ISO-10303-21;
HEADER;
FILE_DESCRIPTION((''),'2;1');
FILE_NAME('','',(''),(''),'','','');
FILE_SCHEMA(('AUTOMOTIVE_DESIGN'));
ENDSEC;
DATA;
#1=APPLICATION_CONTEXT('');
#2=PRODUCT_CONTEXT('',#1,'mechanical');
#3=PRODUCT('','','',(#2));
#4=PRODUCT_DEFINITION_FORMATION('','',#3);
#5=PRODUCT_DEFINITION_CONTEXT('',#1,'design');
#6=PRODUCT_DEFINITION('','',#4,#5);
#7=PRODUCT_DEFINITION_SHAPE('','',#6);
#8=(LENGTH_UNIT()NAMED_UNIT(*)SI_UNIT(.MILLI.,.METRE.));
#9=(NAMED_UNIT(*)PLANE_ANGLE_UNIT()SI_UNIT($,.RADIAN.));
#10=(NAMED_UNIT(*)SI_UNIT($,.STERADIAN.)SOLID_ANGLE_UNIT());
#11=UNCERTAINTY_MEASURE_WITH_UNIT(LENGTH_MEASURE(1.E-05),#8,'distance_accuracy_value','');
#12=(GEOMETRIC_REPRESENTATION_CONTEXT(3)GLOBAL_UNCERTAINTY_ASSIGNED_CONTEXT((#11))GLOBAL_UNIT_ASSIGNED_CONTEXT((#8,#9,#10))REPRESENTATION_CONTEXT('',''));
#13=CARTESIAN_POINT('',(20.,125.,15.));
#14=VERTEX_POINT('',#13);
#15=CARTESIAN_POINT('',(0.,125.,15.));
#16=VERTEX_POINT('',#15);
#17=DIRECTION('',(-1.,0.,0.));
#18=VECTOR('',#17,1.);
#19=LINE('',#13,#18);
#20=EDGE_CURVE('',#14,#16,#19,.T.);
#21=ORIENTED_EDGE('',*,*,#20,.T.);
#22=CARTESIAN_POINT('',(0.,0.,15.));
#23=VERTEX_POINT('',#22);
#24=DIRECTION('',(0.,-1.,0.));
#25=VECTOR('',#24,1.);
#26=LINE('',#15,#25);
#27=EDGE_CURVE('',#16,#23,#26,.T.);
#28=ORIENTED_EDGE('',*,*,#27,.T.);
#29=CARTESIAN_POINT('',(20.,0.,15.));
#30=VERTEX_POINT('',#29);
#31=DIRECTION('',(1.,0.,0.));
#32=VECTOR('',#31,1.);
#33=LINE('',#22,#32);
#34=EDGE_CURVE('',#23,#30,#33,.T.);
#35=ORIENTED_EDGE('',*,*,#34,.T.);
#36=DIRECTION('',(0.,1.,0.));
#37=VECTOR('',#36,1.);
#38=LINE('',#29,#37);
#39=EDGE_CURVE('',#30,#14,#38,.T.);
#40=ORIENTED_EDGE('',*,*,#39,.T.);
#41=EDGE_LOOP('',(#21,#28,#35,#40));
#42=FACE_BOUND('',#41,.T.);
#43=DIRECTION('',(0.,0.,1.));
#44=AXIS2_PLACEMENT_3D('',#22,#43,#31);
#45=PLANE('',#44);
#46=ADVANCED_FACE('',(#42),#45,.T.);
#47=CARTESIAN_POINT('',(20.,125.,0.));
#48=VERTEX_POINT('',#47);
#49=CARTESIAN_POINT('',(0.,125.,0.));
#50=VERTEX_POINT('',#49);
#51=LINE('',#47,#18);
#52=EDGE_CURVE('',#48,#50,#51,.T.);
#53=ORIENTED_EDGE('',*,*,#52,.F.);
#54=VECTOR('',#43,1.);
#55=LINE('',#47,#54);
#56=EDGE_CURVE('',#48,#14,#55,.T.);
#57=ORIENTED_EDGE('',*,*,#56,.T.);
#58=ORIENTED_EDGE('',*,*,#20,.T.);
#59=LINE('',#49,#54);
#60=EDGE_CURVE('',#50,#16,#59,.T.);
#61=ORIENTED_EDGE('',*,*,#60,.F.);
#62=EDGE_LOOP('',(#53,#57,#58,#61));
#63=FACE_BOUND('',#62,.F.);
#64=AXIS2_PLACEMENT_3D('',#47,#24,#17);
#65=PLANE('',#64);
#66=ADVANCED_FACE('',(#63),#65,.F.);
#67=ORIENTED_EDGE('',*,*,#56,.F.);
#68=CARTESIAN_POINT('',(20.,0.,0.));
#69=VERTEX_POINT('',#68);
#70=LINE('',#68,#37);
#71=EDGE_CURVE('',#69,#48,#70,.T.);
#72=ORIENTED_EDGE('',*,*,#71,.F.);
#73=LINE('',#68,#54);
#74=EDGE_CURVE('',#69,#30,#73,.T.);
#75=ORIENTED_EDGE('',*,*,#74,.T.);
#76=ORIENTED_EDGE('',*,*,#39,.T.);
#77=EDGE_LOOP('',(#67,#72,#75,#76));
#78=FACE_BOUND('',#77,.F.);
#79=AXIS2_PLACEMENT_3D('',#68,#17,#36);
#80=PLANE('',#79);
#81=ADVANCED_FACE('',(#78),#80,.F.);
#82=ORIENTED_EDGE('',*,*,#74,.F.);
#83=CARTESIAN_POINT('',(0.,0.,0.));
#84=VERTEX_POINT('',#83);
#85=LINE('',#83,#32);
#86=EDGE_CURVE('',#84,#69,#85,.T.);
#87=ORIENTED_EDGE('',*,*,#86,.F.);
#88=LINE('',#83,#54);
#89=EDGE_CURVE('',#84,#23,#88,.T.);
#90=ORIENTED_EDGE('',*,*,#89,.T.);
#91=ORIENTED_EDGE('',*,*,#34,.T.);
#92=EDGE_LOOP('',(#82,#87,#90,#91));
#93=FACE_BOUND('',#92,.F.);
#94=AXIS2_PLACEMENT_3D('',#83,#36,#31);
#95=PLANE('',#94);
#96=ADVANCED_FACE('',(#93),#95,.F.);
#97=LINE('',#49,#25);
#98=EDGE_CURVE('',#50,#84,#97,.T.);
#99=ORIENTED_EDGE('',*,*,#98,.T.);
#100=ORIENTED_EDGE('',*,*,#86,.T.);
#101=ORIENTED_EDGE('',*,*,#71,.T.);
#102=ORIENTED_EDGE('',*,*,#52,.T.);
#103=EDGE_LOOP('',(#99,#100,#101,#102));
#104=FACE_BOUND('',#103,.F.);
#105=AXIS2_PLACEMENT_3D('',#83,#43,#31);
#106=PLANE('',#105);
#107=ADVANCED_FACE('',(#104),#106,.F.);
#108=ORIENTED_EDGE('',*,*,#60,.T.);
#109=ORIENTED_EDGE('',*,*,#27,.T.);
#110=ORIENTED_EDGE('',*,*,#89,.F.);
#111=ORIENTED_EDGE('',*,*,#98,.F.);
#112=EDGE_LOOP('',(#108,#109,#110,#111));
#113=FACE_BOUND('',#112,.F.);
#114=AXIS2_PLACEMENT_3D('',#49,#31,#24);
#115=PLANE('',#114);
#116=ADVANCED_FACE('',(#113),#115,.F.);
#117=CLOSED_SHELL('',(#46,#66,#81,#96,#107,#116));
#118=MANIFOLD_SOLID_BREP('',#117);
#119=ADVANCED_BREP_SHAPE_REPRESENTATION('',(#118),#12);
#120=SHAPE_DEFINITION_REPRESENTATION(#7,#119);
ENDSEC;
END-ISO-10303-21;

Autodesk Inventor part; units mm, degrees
ref_plane "YZ Plane" through (0, 0, 0) normal (1, 0, 0) x (0, 1, 0)
ref_plane "XZ Plane" through (0, 0, 0) normal (0, 1, 0) x (-1, 0, 0)
ref_plane "XY Plane" through (0, 0, 0) normal (0, 0, 1) x (1, 0, 0)
sketch "Sketch1" plane through (0, 0, 0) normal (0, 0, 1) x (1, 0, 0)
  line L0 (0, 0) -> (20, 0)
  line L1 (20, 0) -> (20, 125)
  line L2 (20, 125) -> (0, 125)
  line L3 (0, 125) -> (0, 0)
  dimension "d0" = 20
  dimension "d1" = 125
extrude "Extrusion1" add sketch "Sketch1" along normal blind 15
properties part number "GA02" material "ABS Plastic"
